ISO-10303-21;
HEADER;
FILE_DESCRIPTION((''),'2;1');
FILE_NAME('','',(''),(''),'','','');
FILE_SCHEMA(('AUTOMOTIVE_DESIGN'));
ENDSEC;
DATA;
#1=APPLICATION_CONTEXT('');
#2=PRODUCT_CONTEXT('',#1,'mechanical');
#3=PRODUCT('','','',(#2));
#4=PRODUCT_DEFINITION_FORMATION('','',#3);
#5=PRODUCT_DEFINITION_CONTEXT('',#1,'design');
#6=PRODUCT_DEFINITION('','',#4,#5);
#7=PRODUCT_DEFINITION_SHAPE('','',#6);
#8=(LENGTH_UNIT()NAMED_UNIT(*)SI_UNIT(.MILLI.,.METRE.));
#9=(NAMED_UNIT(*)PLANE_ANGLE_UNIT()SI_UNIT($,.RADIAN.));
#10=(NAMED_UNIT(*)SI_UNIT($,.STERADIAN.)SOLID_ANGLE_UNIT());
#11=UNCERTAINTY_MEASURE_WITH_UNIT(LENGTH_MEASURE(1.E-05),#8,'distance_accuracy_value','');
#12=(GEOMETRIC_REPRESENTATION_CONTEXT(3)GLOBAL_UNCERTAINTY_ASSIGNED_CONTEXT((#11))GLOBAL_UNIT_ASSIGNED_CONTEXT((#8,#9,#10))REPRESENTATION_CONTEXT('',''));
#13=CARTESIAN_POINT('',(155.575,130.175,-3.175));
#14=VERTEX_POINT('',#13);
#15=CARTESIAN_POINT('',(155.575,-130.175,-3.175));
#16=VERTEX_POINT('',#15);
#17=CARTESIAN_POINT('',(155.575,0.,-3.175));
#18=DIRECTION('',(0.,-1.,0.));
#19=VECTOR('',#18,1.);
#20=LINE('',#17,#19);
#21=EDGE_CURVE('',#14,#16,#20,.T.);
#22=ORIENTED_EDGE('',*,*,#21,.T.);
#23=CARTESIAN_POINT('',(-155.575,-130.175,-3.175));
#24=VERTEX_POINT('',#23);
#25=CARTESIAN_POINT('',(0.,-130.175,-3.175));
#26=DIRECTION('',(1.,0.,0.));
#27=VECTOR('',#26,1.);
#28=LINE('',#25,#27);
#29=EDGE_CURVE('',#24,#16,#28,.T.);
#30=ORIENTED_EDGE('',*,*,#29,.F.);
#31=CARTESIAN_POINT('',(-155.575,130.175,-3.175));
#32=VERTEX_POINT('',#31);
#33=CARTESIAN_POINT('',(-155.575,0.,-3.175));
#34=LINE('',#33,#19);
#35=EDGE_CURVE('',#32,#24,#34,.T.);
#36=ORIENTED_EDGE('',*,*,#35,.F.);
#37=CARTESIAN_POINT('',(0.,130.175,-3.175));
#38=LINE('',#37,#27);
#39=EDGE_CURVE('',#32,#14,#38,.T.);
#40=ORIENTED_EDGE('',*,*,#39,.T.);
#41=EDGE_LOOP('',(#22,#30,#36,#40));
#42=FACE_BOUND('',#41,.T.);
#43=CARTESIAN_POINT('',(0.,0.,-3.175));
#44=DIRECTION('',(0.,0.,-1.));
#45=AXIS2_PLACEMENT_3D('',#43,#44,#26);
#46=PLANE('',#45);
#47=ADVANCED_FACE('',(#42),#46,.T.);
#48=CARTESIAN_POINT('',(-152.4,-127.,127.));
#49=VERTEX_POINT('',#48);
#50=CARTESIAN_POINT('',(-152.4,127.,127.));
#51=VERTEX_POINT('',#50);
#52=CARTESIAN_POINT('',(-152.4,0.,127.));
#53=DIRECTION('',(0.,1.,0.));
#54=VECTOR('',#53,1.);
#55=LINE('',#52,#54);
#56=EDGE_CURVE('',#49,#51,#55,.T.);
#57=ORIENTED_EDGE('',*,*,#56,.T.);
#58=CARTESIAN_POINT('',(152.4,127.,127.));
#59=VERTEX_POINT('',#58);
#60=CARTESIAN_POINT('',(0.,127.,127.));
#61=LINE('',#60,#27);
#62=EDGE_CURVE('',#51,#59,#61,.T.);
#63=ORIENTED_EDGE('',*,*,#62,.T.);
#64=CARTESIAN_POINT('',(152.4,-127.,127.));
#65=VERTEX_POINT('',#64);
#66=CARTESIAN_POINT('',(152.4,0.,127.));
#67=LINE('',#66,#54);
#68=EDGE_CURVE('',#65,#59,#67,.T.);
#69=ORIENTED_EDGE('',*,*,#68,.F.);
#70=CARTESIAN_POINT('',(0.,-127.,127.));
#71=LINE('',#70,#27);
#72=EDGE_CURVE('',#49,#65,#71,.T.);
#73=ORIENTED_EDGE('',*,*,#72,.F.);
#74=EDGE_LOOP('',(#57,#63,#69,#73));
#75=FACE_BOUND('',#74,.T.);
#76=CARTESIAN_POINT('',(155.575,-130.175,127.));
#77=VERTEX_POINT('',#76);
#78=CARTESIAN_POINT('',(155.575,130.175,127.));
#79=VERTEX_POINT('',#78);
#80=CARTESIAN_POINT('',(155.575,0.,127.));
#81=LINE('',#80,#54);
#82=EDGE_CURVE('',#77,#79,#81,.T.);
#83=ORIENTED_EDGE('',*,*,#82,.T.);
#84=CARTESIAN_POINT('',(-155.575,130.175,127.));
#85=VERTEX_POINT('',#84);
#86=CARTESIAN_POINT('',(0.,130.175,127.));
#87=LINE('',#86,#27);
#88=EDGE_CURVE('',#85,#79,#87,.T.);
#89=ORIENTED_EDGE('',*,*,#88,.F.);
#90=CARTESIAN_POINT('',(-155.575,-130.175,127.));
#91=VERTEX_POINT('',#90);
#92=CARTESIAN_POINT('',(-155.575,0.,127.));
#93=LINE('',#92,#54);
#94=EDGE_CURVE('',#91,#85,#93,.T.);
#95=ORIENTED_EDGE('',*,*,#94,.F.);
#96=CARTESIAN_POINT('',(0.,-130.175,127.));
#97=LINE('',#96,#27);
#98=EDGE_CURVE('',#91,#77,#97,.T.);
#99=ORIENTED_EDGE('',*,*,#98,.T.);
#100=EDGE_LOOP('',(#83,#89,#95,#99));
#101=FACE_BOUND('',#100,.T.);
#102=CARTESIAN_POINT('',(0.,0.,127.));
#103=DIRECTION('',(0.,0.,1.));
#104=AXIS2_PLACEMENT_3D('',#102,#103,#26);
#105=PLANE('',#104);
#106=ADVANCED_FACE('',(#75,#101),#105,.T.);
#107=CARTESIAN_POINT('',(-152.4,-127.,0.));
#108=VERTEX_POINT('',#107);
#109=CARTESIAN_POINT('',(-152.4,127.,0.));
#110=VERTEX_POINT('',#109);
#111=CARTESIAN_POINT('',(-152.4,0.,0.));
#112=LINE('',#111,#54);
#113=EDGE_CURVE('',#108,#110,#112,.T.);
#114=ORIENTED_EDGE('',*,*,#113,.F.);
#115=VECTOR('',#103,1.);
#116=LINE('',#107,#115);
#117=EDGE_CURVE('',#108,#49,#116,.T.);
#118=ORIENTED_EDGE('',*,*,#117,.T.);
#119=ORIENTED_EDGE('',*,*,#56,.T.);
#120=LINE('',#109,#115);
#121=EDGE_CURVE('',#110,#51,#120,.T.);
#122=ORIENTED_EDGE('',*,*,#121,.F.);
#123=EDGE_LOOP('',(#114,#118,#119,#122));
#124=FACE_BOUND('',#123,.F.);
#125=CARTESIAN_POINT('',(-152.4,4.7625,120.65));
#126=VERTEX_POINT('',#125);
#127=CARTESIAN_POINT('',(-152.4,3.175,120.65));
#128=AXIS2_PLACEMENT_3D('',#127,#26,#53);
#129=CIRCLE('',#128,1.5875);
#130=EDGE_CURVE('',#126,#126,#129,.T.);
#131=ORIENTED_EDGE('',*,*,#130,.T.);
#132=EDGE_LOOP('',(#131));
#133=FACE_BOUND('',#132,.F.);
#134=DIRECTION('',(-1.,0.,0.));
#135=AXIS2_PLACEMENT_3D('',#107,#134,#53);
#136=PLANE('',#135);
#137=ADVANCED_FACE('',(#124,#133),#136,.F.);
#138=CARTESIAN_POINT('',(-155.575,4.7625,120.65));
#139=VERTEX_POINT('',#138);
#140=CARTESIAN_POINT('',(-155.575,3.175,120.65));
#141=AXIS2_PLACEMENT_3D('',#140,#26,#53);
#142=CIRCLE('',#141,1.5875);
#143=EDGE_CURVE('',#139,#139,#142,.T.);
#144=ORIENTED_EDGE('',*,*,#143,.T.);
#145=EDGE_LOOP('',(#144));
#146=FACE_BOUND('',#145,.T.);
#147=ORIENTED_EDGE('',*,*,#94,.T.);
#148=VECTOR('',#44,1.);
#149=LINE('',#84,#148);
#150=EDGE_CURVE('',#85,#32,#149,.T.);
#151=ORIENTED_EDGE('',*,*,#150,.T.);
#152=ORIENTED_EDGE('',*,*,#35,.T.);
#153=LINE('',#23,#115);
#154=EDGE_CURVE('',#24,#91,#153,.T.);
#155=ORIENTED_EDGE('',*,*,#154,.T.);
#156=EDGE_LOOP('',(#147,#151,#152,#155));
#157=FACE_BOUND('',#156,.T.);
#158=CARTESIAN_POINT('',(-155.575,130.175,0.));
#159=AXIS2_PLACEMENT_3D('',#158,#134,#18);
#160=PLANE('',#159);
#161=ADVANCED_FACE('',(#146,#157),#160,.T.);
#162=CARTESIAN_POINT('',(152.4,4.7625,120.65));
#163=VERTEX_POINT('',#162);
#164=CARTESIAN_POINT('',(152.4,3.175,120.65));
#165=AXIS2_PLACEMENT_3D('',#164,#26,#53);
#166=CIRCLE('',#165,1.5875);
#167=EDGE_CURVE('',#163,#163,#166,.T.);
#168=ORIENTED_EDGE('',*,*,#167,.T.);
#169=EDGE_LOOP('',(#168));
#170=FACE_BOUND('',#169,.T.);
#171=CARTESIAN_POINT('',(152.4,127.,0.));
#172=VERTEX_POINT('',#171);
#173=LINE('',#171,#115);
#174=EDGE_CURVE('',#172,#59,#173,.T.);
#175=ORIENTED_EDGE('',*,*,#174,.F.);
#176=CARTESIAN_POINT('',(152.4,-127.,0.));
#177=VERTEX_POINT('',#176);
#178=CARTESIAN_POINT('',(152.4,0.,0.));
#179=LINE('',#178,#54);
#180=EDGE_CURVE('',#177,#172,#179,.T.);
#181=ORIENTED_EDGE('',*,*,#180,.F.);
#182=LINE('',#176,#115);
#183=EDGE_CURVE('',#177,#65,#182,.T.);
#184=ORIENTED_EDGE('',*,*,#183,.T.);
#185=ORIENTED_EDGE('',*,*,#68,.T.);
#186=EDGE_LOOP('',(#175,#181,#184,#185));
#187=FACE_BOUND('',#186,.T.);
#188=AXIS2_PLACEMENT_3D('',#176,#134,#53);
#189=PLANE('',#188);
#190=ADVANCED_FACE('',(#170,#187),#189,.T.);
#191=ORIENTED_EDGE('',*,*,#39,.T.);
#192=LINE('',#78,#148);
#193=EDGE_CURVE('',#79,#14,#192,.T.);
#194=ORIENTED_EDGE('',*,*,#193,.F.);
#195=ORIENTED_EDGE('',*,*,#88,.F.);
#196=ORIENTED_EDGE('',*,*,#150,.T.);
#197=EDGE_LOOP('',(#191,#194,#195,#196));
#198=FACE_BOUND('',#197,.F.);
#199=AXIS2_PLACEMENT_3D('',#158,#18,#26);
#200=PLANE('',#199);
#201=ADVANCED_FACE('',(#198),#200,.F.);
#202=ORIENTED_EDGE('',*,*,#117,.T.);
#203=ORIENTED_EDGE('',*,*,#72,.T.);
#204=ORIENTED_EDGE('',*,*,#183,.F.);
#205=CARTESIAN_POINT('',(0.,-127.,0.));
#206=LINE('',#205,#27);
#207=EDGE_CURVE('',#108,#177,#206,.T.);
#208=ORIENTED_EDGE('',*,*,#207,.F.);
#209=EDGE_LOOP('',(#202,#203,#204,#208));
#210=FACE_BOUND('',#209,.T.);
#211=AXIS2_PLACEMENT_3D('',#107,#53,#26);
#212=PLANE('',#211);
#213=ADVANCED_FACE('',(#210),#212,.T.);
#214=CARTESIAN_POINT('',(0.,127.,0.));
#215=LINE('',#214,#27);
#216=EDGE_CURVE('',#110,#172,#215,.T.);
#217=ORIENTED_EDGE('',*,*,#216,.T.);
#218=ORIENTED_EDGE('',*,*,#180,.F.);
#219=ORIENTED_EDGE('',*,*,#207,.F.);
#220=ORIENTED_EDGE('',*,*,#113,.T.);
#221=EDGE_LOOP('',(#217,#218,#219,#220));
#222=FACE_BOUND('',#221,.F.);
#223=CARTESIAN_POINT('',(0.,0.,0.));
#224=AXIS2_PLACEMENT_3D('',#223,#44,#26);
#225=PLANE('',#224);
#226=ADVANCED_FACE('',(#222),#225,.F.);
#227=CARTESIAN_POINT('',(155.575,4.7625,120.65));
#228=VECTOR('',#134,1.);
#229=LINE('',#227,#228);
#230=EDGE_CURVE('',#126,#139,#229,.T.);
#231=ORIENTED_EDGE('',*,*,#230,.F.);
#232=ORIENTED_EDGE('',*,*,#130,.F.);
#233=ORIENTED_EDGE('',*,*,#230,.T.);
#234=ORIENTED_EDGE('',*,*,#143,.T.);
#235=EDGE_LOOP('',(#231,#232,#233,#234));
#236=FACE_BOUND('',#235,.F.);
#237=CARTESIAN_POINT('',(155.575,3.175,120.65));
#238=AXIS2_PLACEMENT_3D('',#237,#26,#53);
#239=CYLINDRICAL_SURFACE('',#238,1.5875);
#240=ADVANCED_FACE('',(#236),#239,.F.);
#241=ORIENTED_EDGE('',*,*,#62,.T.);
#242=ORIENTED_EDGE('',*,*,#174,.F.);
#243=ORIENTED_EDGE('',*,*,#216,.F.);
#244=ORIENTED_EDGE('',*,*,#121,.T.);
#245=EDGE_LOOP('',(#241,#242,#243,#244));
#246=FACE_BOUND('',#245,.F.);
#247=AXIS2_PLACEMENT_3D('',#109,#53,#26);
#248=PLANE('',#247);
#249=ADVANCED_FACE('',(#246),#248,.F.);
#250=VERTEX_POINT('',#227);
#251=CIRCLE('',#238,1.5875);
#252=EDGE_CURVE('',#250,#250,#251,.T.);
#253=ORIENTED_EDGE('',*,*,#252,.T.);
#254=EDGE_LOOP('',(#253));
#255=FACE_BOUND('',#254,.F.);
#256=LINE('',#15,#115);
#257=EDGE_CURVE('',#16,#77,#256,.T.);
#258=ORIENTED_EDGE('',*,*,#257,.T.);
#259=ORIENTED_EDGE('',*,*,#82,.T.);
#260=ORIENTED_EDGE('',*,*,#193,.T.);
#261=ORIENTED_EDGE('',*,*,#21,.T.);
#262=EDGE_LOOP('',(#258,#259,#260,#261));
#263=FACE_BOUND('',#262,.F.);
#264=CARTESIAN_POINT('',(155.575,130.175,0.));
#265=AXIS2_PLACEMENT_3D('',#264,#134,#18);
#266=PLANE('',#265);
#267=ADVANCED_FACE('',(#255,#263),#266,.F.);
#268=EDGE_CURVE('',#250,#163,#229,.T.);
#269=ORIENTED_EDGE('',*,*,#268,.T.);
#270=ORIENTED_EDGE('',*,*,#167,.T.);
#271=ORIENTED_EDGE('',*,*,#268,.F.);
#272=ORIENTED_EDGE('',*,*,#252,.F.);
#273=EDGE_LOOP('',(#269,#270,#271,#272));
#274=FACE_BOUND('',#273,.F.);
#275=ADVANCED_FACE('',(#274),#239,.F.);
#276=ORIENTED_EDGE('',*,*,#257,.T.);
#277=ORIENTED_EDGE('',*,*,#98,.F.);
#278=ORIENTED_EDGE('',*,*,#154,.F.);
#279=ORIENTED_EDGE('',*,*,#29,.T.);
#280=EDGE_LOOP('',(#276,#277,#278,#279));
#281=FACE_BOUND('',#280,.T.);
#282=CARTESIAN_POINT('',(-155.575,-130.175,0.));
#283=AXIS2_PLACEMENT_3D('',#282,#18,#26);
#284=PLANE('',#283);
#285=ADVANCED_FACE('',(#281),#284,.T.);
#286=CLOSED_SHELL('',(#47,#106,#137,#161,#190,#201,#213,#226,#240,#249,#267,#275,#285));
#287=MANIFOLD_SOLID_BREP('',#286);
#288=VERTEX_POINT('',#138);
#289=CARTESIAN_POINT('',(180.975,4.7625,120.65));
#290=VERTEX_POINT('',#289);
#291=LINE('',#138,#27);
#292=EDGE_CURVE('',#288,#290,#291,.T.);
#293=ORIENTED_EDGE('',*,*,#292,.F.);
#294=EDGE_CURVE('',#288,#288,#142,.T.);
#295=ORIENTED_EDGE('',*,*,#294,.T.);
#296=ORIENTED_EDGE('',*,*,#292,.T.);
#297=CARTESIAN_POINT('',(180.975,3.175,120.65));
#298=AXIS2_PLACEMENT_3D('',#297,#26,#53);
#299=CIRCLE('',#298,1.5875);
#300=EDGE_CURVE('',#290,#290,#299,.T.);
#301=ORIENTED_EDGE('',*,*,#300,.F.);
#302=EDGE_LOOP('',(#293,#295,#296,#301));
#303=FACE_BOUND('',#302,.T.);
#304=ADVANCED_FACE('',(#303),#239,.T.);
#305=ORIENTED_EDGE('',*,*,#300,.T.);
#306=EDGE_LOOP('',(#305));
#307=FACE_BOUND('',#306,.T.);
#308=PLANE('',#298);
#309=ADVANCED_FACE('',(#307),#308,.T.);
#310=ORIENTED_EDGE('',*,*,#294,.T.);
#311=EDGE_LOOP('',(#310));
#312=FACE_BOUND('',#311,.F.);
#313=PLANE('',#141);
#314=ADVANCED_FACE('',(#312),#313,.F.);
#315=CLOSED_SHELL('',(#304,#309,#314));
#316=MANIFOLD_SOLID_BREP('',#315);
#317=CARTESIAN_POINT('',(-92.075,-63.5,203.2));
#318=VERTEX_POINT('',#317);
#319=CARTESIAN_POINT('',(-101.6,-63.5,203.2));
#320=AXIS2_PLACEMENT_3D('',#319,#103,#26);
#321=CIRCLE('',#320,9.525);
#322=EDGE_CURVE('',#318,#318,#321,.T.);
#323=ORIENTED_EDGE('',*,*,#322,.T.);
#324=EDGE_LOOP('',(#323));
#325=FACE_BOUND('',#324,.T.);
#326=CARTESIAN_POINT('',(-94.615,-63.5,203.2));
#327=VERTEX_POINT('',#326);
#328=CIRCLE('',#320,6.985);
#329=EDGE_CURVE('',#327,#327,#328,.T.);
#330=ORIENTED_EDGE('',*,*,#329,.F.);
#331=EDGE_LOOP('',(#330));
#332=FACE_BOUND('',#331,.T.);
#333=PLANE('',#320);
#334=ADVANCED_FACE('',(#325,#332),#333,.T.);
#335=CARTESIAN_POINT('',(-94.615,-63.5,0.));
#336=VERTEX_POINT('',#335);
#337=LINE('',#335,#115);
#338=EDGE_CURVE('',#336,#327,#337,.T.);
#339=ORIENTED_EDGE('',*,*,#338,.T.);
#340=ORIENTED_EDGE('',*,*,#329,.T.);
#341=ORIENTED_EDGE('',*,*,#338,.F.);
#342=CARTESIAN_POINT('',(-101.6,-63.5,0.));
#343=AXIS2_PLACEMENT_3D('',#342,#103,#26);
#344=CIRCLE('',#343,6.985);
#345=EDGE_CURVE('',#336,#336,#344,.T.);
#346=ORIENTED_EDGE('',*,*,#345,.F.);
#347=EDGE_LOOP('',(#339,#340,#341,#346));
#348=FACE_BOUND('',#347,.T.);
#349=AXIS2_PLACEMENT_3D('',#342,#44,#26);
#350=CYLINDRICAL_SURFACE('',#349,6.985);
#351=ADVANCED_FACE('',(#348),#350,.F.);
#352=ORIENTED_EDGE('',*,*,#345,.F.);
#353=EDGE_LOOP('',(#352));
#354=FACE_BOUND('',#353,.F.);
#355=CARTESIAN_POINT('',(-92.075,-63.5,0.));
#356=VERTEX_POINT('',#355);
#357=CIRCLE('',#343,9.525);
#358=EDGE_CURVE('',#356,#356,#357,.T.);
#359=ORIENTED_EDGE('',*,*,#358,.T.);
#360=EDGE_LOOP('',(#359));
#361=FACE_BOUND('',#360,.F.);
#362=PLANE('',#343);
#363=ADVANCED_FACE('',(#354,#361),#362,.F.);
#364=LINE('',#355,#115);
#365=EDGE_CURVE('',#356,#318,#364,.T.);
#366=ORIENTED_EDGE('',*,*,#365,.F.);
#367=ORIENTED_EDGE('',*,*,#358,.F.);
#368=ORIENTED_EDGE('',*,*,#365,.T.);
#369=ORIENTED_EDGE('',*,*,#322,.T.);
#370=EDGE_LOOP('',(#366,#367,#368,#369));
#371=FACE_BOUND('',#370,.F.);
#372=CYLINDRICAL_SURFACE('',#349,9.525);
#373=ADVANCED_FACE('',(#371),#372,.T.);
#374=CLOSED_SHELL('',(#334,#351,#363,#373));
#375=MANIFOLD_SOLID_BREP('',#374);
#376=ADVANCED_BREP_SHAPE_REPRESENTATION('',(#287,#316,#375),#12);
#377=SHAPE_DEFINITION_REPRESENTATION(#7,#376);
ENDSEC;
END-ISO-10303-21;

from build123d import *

# Parameters (mm, degrees)
F0_W          = 311.15
F0_H          = 260.35
F0_W_2        = 304.8
F0_H_2        = 254
F1_DEPTH      = 127
F2_W          = 311.15
F2_H          = 260.35
F3_DEPTH      = 3.175
F5_R          = 1.5875
F6_DEPTH      = 311.151
F7_R          = 1.5875
F8_DEPTH      = 25.4
F8_DEPTH_BACK = 311.15
F4_R          = 9.525
F4_R_2        = 6.985
F9_DEPTH      = 203.2


with BuildPart() as f1:
    # F0 (on Top) → F1 (new body)
    with BuildSketch(Plane.XY):
        Rectangle(F0_W, F0_H)
        Rectangle(F0_W_2, F0_H_2, mode=Mode.SUBTRACT)
    extrude(amount=F1_DEPTH)

    # F2 (on face) → F3 (join)
    with BuildSketch(Plane(origin=(0, 0, 0), x_dir=(1, 0, 0), z_dir=(0, 0, -1))):
        Rectangle(F2_W, F2_H)
    extrude(amount=F3_DEPTH)

    # F5 (on face) → F6 (cut, through all)
    with BuildSketch(Plane.YZ.offset(155.575)):
        with Locations((3.175, 120.65)):
            Circle(F5_R)
    extrude(amount=-F6_DEPTH, mode=Mode.SUBTRACT)


with BuildPart() as f8:
    # F7 (on face) → F8 (new body, two sides)
    with BuildSketch(Plane.YZ.offset(155.575)) as f8_sk:
        with Locations((3.175, 120.65)):
            Circle(F7_R)
    extrude(amount=F8_DEPTH)
    extrude(f8_sk.sketch, amount=-F8_DEPTH_BACK)


with BuildPart() as f9:
    # F4 (on face) → F9 (new body)
    with BuildSketch(Plane.XY):
        with Locations((-101.6, -63.5)):
            Circle(F4_R)
        with Locations((-101.6, -63.5)):
            Circle(F4_R_2, mode=Mode.SUBTRACT)
    extrude(amount=F9_DEPTH)


solid = Compound([f1.part, f8.part, f9.part])
